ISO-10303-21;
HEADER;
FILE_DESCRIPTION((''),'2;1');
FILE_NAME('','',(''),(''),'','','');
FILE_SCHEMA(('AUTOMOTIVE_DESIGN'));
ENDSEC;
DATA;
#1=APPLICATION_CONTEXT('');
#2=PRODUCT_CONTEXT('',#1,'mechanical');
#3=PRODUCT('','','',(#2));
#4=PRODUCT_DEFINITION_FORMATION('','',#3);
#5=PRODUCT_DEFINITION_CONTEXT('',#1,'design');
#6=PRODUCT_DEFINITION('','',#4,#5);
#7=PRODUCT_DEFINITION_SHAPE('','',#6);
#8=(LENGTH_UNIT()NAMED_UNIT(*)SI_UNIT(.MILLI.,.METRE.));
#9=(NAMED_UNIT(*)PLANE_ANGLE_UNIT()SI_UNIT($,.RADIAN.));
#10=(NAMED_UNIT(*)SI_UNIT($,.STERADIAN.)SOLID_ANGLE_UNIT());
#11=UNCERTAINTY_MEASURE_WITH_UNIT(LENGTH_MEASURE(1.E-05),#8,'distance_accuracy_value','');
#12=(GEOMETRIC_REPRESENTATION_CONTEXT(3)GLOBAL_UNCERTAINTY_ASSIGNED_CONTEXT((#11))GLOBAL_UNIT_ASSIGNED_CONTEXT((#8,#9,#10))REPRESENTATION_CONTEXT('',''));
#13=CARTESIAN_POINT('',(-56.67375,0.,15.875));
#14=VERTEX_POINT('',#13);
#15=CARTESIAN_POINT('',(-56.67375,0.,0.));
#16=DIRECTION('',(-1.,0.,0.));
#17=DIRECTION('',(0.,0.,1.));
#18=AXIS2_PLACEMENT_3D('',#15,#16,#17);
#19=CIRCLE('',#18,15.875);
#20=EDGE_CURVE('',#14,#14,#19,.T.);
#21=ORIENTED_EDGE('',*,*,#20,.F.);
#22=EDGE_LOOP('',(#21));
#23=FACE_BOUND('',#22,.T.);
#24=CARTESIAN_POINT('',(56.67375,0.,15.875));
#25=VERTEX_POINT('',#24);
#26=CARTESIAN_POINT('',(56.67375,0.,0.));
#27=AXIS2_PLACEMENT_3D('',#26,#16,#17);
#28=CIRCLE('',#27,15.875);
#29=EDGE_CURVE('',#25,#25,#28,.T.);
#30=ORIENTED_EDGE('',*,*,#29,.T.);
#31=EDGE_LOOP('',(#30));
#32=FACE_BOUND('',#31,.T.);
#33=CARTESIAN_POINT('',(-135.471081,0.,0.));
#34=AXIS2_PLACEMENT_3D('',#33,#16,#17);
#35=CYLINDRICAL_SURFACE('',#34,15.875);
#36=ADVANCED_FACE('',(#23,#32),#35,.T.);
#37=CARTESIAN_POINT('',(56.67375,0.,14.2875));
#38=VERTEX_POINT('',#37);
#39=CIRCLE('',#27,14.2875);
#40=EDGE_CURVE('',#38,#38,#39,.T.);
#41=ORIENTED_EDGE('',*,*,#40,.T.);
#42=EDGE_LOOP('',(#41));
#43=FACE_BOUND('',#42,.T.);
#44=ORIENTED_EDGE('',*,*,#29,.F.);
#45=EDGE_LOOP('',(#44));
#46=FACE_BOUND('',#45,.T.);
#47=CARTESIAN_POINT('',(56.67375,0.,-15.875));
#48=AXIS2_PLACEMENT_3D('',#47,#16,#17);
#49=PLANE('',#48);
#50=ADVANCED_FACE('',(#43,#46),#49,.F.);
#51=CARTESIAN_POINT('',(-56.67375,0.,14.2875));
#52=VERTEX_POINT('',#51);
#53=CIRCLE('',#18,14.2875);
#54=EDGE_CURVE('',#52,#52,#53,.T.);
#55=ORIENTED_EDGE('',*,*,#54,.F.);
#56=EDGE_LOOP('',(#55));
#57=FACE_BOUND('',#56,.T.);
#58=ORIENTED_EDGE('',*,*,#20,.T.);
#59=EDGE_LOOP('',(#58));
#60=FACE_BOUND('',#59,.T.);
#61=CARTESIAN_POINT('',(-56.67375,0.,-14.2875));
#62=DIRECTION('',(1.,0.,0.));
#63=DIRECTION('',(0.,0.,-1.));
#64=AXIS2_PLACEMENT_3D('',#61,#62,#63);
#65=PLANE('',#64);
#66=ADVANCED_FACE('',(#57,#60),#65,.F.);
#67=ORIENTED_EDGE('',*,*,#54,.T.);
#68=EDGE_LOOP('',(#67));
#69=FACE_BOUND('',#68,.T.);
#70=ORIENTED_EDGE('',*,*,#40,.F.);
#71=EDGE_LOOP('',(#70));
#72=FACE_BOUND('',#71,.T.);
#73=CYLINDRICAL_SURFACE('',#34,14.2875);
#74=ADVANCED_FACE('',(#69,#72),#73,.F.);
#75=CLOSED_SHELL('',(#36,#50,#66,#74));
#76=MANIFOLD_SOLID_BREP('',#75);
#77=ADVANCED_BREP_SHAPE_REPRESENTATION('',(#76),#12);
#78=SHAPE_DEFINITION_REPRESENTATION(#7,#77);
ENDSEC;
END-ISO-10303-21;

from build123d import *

# Parameters (mm, degrees)
SKETCH1_W = 113.3475
SKETCH1_H = 1.5875


with BuildPart() as part:
    # Sketch1 → Revolve1 (revolve)
    with BuildSketch(Plane(origin=(0, 0, 0), x_dir=(1, 0, 0), z_dir=(0, 1, 0))):
        with Locations((0, 15.08125)):
            Rectangle(SKETCH1_W, SKETCH1_H)
    revolve(axis=Axis((-135.471080774, 0, 0), (1, 0, 0)))


solid = part.part
